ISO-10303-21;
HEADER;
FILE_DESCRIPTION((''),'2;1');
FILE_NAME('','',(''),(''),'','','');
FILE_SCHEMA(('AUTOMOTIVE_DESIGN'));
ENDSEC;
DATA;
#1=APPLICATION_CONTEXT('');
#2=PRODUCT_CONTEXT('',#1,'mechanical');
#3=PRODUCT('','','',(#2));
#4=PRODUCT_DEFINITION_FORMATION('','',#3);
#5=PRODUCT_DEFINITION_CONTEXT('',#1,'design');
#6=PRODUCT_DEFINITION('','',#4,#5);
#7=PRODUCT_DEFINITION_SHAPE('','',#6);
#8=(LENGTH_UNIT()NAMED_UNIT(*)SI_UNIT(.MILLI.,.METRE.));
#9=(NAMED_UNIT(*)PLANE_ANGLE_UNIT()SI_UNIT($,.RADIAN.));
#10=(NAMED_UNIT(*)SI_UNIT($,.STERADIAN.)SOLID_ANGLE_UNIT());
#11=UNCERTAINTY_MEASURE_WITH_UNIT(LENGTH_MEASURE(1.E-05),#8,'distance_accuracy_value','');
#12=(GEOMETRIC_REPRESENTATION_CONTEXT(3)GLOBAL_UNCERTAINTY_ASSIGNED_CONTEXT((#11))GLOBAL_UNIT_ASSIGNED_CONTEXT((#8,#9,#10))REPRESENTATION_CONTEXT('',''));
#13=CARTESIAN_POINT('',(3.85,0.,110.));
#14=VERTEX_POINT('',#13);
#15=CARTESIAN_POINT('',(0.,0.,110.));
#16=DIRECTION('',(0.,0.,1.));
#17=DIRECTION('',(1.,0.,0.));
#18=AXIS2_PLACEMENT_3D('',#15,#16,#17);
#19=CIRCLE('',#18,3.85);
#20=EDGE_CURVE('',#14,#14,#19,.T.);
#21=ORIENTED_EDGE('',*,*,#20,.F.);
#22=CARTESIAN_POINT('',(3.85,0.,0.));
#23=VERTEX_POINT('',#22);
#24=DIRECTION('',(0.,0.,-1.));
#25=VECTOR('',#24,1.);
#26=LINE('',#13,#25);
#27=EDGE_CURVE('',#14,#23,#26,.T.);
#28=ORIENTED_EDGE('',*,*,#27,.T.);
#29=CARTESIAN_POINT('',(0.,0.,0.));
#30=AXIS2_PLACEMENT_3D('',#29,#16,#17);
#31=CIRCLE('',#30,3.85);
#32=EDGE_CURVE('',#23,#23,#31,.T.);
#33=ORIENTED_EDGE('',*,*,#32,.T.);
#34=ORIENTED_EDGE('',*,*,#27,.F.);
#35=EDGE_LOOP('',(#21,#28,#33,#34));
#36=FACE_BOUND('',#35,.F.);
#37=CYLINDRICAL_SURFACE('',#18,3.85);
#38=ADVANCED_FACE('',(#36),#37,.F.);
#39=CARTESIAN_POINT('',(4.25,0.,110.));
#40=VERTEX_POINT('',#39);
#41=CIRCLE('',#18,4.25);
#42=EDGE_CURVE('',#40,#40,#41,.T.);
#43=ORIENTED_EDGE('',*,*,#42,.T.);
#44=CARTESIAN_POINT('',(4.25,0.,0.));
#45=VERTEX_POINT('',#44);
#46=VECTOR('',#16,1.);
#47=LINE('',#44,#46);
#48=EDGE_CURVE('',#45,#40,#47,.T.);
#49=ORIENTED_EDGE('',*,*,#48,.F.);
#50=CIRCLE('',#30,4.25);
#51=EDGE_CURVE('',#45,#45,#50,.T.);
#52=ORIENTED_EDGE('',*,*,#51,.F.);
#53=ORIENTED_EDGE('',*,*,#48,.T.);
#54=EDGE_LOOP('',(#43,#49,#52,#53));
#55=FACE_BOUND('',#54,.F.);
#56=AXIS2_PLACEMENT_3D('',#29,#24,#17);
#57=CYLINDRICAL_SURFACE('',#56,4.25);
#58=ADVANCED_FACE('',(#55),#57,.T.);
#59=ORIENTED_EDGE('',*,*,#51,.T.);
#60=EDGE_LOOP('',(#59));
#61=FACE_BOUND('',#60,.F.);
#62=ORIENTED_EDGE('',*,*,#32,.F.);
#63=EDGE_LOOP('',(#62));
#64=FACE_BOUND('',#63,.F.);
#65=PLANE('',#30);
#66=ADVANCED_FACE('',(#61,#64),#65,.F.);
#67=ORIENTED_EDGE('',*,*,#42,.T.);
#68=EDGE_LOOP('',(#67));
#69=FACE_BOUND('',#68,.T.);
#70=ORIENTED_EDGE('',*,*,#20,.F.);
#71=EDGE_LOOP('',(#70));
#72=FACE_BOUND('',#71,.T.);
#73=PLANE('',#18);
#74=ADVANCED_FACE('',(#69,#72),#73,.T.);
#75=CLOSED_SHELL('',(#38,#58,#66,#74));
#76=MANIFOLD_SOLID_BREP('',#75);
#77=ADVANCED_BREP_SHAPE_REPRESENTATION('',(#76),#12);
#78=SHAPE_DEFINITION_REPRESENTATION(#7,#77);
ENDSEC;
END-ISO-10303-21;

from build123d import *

# Parameters (mm, degrees)
SKETCH_R     = 4.25
PAD_DEPTH    = 110
SKETCH001_R  = 3.85
POCKET_DEPTH = 110


with BuildPart() as part:
    # Sketch → Pad (new body)
    with BuildSketch(Plane.XY):
        Circle(SKETCH_R)
    extrude(amount=PAD_DEPTH)

    # Sketch001 (on Face3 of Pad) → Pocket (cut)
    with BuildSketch(Plane.XY.offset(110)):
        Circle(SKETCH001_R)
    extrude(amount=-POCKET_DEPTH, mode=Mode.SUBTRACT)


solid = part.part
